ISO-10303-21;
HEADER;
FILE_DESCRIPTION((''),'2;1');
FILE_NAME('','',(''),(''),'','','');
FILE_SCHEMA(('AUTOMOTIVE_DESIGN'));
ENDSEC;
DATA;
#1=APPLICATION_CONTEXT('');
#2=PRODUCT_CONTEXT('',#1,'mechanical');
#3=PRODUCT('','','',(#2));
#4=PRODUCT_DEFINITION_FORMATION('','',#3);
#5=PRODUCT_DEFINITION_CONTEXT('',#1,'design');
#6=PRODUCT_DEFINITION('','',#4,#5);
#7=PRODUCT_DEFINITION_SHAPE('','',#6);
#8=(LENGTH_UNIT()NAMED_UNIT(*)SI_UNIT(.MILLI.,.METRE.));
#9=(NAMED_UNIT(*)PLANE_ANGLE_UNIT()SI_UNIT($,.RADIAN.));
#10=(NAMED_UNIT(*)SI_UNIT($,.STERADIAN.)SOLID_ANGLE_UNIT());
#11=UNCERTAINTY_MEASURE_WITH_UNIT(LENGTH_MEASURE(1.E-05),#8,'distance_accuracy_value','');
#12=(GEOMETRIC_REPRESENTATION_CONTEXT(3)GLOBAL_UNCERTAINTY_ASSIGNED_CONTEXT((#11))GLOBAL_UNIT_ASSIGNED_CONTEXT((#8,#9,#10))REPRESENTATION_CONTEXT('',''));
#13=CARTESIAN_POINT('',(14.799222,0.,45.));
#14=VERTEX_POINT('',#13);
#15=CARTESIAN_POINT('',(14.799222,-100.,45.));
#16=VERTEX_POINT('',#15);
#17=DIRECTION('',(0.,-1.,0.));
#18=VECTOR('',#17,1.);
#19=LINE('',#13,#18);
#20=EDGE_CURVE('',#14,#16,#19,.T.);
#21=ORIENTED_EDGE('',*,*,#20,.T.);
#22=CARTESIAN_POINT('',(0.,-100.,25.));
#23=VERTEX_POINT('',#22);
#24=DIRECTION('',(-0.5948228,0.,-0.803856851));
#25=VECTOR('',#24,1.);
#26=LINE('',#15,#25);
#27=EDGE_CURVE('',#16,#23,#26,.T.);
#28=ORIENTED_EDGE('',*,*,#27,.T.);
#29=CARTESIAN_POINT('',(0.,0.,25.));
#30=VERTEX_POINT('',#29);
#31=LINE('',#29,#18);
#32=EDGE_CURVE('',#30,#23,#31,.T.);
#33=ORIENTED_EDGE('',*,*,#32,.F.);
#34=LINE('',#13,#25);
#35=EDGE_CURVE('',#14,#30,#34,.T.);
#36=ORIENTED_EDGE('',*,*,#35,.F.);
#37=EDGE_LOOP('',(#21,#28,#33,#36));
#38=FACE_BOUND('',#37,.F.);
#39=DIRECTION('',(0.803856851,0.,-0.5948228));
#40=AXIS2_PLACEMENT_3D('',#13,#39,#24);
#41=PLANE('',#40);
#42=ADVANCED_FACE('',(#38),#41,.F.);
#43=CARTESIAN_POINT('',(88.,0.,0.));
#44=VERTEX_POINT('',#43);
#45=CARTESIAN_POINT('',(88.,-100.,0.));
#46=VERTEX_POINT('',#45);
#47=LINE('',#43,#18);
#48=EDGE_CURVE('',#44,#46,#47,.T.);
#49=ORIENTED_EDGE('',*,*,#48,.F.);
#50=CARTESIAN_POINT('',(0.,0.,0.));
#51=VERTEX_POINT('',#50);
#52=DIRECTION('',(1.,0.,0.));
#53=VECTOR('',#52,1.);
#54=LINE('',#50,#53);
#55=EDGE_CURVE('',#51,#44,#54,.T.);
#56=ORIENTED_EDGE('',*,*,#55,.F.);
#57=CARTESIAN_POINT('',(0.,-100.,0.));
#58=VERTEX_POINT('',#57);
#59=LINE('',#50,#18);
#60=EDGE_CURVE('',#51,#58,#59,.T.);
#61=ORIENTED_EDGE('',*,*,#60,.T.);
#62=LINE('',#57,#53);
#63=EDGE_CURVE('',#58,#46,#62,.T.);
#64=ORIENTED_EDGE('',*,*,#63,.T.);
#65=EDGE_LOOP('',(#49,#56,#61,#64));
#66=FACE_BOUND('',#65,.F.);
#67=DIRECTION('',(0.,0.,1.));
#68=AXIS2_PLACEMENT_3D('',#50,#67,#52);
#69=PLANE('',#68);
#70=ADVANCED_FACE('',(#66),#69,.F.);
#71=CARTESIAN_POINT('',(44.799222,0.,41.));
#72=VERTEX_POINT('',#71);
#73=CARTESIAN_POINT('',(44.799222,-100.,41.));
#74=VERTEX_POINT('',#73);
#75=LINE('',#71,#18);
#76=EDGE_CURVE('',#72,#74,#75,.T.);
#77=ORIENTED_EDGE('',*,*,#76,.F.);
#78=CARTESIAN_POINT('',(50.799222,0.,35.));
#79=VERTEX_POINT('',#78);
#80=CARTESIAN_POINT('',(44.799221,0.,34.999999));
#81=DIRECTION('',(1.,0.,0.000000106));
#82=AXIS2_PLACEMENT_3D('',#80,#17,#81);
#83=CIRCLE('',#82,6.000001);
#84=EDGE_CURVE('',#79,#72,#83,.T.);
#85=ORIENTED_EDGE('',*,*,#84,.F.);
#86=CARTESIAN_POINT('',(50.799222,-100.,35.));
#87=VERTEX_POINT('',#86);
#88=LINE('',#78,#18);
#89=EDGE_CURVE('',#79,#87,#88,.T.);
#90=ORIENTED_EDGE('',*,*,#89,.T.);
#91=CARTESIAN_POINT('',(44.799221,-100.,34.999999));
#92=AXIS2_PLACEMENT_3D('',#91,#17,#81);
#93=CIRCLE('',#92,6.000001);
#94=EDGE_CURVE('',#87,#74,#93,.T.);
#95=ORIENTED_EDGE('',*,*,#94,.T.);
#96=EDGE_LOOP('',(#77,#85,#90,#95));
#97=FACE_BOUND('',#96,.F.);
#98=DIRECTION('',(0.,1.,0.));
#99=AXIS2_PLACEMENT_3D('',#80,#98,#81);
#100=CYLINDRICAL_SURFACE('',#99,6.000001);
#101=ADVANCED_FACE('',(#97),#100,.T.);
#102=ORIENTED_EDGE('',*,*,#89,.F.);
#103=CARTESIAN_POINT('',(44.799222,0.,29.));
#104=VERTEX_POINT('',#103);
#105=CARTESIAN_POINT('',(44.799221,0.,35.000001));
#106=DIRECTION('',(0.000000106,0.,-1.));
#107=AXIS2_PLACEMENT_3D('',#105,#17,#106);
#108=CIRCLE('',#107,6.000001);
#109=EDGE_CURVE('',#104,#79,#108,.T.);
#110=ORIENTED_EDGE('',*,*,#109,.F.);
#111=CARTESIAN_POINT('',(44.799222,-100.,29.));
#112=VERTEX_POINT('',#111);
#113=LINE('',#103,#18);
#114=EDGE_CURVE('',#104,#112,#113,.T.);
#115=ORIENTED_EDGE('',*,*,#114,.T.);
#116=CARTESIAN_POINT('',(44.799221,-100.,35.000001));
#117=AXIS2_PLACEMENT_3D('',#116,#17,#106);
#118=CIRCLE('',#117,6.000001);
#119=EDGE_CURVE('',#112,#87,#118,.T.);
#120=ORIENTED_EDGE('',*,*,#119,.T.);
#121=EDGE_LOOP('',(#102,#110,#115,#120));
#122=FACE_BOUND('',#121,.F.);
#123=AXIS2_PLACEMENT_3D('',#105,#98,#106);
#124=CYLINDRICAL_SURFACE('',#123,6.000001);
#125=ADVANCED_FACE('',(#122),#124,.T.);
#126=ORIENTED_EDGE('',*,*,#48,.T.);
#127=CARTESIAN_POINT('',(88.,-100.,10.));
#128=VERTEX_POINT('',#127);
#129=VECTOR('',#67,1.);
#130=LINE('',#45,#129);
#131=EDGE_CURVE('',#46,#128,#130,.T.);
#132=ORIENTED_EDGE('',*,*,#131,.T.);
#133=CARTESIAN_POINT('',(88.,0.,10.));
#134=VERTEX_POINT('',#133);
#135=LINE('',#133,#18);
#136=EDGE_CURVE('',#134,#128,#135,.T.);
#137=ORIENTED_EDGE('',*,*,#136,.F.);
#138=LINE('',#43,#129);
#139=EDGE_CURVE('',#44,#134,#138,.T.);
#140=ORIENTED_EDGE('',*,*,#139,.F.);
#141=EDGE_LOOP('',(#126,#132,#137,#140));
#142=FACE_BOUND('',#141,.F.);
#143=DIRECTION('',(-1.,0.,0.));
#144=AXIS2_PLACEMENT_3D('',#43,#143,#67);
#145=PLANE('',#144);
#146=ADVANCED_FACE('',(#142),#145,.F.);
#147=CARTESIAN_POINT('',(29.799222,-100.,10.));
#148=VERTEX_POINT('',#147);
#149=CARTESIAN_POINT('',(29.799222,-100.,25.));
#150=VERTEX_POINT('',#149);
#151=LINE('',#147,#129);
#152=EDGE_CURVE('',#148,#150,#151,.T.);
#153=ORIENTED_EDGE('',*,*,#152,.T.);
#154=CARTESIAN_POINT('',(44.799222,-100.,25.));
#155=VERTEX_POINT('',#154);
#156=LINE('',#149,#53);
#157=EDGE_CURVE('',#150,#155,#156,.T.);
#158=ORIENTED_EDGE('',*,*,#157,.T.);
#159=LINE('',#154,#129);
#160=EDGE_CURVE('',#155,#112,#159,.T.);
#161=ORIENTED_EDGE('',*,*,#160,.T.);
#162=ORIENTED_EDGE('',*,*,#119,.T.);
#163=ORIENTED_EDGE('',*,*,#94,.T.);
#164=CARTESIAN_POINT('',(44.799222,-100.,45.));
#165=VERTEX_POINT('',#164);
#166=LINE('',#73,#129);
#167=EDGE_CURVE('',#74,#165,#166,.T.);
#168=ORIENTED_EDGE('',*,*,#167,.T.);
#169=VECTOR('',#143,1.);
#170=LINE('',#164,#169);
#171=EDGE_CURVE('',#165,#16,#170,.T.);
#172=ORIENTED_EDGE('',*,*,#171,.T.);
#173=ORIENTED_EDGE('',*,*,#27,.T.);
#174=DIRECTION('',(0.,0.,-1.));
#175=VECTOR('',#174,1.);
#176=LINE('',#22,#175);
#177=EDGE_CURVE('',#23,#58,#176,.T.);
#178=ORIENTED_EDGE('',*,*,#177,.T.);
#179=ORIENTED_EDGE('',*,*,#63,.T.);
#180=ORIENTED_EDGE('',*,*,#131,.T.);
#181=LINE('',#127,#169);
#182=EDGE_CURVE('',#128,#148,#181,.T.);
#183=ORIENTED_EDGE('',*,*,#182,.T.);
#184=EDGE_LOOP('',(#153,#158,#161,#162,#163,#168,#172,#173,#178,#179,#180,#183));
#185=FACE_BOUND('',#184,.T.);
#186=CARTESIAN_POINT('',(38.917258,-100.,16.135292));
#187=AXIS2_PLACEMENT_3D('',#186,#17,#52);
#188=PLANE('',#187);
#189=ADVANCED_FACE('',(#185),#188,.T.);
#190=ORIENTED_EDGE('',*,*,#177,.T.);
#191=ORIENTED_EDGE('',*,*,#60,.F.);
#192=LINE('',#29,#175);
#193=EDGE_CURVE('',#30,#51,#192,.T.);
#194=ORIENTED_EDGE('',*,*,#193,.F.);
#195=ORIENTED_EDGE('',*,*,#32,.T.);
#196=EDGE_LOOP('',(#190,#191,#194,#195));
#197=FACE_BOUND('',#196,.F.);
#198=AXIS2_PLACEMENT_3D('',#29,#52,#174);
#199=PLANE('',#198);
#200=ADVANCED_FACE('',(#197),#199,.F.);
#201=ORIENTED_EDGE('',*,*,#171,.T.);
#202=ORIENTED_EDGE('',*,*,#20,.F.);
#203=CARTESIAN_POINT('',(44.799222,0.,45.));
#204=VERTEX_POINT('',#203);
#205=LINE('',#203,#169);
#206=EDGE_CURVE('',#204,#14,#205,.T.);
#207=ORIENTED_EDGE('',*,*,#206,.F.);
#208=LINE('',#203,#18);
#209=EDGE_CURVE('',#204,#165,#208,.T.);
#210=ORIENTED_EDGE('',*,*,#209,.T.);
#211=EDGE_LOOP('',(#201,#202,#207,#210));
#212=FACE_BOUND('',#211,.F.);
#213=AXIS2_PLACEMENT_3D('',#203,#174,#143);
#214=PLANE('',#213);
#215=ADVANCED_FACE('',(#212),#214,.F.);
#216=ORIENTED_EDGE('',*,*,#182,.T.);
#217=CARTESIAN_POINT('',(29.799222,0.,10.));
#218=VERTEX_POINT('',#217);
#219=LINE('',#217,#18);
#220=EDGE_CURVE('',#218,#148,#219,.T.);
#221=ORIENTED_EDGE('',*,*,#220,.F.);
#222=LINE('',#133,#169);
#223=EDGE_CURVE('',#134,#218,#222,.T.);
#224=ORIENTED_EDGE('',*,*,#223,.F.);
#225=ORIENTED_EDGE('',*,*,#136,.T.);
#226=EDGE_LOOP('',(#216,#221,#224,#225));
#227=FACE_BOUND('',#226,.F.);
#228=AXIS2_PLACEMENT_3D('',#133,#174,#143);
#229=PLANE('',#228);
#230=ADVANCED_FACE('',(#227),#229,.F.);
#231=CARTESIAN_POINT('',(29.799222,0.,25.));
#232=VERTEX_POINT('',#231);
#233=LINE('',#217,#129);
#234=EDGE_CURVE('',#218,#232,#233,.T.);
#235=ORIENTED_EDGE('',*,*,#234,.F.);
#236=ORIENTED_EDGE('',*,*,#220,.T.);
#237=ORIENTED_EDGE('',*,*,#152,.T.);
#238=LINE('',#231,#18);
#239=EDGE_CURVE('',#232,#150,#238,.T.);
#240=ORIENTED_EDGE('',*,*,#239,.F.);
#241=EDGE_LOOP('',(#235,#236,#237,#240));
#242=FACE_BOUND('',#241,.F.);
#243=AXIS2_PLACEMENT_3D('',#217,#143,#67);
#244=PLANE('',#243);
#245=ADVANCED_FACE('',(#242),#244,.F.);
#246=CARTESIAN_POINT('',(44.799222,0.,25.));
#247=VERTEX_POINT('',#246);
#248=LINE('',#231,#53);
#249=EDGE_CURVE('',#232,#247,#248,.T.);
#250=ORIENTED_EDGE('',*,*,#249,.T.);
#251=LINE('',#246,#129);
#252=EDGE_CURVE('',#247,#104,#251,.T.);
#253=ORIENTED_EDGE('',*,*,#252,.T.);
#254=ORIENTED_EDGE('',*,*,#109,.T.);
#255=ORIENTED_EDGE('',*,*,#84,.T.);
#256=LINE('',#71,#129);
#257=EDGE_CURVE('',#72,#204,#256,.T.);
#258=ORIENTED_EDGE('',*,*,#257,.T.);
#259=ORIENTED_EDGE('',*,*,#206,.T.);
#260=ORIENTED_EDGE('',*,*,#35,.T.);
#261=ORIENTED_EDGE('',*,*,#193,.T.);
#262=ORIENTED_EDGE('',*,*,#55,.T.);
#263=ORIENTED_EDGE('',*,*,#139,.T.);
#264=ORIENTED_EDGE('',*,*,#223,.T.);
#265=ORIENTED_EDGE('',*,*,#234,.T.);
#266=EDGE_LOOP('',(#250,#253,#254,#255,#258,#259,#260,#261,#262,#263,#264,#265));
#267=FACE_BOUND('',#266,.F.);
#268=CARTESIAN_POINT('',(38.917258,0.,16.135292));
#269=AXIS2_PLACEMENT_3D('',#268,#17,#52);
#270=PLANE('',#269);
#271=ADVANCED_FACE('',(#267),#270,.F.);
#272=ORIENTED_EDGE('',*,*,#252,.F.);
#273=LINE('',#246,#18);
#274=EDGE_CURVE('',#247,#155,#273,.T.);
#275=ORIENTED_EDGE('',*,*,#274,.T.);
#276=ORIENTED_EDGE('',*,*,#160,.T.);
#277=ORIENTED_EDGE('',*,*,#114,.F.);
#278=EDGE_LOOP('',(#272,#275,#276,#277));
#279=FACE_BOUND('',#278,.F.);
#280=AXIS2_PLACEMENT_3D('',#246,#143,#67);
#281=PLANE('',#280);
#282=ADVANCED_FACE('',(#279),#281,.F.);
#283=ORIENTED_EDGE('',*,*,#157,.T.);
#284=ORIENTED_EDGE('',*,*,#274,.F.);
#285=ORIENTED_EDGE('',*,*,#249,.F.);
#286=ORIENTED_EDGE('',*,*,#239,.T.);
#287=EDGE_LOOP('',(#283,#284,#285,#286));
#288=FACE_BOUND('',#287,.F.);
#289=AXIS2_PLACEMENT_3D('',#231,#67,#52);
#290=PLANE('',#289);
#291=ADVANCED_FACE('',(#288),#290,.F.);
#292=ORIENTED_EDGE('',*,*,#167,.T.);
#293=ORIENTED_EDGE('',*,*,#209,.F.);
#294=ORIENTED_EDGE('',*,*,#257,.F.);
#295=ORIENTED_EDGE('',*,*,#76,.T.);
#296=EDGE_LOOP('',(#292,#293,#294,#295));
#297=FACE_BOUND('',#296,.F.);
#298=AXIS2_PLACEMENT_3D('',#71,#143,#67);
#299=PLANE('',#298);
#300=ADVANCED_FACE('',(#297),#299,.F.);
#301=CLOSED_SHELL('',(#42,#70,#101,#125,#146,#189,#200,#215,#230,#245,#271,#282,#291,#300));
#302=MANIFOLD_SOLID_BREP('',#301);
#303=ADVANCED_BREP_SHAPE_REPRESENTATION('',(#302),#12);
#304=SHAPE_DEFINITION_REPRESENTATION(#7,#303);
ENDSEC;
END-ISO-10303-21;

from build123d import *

# Parameters (mm, degrees)
F1_DEPTH = 100


with BuildPart() as f1:
    # F0 (on Front) → F1 (new body)
    with BuildSketch(Plane.XZ):
        with BuildLine():
            Line((0, 25), (0, 0))
            Line((0, 0), (88, 0))
            Line((88, 0), (88, 10))
            Line((88, 10), (29.799222, 10))
            Line((29.799222, 10), (29.799222, 25))
            Line((29.799222, 25), (44.799222, 25))
            Line((44.799222, 25), (44.799222, 29))
            ThreePointArc((44.799222, 29), (38.799222, 35), (44.799222, 41))
            Line((44.799222, 41), (44.799222, 45))
            Line((44.799222, 45), (14.799222, 45))
            Line((14.799222, 45), (0, 25))
        make_face()
        with BuildLine():
            ThreePointArc((50.799222, 35), (49.041862, 39.242641), (44.799222, 41))
            ThreePointArc((44.799222, 41), (38.799222, 35), (44.799222, 29))
            ThreePointArc((44.799222, 29), (49.041862, 30.757359), (50.799222, 35))
        make_face()
    extrude(amount=F1_DEPTH)


solid = f1.part
